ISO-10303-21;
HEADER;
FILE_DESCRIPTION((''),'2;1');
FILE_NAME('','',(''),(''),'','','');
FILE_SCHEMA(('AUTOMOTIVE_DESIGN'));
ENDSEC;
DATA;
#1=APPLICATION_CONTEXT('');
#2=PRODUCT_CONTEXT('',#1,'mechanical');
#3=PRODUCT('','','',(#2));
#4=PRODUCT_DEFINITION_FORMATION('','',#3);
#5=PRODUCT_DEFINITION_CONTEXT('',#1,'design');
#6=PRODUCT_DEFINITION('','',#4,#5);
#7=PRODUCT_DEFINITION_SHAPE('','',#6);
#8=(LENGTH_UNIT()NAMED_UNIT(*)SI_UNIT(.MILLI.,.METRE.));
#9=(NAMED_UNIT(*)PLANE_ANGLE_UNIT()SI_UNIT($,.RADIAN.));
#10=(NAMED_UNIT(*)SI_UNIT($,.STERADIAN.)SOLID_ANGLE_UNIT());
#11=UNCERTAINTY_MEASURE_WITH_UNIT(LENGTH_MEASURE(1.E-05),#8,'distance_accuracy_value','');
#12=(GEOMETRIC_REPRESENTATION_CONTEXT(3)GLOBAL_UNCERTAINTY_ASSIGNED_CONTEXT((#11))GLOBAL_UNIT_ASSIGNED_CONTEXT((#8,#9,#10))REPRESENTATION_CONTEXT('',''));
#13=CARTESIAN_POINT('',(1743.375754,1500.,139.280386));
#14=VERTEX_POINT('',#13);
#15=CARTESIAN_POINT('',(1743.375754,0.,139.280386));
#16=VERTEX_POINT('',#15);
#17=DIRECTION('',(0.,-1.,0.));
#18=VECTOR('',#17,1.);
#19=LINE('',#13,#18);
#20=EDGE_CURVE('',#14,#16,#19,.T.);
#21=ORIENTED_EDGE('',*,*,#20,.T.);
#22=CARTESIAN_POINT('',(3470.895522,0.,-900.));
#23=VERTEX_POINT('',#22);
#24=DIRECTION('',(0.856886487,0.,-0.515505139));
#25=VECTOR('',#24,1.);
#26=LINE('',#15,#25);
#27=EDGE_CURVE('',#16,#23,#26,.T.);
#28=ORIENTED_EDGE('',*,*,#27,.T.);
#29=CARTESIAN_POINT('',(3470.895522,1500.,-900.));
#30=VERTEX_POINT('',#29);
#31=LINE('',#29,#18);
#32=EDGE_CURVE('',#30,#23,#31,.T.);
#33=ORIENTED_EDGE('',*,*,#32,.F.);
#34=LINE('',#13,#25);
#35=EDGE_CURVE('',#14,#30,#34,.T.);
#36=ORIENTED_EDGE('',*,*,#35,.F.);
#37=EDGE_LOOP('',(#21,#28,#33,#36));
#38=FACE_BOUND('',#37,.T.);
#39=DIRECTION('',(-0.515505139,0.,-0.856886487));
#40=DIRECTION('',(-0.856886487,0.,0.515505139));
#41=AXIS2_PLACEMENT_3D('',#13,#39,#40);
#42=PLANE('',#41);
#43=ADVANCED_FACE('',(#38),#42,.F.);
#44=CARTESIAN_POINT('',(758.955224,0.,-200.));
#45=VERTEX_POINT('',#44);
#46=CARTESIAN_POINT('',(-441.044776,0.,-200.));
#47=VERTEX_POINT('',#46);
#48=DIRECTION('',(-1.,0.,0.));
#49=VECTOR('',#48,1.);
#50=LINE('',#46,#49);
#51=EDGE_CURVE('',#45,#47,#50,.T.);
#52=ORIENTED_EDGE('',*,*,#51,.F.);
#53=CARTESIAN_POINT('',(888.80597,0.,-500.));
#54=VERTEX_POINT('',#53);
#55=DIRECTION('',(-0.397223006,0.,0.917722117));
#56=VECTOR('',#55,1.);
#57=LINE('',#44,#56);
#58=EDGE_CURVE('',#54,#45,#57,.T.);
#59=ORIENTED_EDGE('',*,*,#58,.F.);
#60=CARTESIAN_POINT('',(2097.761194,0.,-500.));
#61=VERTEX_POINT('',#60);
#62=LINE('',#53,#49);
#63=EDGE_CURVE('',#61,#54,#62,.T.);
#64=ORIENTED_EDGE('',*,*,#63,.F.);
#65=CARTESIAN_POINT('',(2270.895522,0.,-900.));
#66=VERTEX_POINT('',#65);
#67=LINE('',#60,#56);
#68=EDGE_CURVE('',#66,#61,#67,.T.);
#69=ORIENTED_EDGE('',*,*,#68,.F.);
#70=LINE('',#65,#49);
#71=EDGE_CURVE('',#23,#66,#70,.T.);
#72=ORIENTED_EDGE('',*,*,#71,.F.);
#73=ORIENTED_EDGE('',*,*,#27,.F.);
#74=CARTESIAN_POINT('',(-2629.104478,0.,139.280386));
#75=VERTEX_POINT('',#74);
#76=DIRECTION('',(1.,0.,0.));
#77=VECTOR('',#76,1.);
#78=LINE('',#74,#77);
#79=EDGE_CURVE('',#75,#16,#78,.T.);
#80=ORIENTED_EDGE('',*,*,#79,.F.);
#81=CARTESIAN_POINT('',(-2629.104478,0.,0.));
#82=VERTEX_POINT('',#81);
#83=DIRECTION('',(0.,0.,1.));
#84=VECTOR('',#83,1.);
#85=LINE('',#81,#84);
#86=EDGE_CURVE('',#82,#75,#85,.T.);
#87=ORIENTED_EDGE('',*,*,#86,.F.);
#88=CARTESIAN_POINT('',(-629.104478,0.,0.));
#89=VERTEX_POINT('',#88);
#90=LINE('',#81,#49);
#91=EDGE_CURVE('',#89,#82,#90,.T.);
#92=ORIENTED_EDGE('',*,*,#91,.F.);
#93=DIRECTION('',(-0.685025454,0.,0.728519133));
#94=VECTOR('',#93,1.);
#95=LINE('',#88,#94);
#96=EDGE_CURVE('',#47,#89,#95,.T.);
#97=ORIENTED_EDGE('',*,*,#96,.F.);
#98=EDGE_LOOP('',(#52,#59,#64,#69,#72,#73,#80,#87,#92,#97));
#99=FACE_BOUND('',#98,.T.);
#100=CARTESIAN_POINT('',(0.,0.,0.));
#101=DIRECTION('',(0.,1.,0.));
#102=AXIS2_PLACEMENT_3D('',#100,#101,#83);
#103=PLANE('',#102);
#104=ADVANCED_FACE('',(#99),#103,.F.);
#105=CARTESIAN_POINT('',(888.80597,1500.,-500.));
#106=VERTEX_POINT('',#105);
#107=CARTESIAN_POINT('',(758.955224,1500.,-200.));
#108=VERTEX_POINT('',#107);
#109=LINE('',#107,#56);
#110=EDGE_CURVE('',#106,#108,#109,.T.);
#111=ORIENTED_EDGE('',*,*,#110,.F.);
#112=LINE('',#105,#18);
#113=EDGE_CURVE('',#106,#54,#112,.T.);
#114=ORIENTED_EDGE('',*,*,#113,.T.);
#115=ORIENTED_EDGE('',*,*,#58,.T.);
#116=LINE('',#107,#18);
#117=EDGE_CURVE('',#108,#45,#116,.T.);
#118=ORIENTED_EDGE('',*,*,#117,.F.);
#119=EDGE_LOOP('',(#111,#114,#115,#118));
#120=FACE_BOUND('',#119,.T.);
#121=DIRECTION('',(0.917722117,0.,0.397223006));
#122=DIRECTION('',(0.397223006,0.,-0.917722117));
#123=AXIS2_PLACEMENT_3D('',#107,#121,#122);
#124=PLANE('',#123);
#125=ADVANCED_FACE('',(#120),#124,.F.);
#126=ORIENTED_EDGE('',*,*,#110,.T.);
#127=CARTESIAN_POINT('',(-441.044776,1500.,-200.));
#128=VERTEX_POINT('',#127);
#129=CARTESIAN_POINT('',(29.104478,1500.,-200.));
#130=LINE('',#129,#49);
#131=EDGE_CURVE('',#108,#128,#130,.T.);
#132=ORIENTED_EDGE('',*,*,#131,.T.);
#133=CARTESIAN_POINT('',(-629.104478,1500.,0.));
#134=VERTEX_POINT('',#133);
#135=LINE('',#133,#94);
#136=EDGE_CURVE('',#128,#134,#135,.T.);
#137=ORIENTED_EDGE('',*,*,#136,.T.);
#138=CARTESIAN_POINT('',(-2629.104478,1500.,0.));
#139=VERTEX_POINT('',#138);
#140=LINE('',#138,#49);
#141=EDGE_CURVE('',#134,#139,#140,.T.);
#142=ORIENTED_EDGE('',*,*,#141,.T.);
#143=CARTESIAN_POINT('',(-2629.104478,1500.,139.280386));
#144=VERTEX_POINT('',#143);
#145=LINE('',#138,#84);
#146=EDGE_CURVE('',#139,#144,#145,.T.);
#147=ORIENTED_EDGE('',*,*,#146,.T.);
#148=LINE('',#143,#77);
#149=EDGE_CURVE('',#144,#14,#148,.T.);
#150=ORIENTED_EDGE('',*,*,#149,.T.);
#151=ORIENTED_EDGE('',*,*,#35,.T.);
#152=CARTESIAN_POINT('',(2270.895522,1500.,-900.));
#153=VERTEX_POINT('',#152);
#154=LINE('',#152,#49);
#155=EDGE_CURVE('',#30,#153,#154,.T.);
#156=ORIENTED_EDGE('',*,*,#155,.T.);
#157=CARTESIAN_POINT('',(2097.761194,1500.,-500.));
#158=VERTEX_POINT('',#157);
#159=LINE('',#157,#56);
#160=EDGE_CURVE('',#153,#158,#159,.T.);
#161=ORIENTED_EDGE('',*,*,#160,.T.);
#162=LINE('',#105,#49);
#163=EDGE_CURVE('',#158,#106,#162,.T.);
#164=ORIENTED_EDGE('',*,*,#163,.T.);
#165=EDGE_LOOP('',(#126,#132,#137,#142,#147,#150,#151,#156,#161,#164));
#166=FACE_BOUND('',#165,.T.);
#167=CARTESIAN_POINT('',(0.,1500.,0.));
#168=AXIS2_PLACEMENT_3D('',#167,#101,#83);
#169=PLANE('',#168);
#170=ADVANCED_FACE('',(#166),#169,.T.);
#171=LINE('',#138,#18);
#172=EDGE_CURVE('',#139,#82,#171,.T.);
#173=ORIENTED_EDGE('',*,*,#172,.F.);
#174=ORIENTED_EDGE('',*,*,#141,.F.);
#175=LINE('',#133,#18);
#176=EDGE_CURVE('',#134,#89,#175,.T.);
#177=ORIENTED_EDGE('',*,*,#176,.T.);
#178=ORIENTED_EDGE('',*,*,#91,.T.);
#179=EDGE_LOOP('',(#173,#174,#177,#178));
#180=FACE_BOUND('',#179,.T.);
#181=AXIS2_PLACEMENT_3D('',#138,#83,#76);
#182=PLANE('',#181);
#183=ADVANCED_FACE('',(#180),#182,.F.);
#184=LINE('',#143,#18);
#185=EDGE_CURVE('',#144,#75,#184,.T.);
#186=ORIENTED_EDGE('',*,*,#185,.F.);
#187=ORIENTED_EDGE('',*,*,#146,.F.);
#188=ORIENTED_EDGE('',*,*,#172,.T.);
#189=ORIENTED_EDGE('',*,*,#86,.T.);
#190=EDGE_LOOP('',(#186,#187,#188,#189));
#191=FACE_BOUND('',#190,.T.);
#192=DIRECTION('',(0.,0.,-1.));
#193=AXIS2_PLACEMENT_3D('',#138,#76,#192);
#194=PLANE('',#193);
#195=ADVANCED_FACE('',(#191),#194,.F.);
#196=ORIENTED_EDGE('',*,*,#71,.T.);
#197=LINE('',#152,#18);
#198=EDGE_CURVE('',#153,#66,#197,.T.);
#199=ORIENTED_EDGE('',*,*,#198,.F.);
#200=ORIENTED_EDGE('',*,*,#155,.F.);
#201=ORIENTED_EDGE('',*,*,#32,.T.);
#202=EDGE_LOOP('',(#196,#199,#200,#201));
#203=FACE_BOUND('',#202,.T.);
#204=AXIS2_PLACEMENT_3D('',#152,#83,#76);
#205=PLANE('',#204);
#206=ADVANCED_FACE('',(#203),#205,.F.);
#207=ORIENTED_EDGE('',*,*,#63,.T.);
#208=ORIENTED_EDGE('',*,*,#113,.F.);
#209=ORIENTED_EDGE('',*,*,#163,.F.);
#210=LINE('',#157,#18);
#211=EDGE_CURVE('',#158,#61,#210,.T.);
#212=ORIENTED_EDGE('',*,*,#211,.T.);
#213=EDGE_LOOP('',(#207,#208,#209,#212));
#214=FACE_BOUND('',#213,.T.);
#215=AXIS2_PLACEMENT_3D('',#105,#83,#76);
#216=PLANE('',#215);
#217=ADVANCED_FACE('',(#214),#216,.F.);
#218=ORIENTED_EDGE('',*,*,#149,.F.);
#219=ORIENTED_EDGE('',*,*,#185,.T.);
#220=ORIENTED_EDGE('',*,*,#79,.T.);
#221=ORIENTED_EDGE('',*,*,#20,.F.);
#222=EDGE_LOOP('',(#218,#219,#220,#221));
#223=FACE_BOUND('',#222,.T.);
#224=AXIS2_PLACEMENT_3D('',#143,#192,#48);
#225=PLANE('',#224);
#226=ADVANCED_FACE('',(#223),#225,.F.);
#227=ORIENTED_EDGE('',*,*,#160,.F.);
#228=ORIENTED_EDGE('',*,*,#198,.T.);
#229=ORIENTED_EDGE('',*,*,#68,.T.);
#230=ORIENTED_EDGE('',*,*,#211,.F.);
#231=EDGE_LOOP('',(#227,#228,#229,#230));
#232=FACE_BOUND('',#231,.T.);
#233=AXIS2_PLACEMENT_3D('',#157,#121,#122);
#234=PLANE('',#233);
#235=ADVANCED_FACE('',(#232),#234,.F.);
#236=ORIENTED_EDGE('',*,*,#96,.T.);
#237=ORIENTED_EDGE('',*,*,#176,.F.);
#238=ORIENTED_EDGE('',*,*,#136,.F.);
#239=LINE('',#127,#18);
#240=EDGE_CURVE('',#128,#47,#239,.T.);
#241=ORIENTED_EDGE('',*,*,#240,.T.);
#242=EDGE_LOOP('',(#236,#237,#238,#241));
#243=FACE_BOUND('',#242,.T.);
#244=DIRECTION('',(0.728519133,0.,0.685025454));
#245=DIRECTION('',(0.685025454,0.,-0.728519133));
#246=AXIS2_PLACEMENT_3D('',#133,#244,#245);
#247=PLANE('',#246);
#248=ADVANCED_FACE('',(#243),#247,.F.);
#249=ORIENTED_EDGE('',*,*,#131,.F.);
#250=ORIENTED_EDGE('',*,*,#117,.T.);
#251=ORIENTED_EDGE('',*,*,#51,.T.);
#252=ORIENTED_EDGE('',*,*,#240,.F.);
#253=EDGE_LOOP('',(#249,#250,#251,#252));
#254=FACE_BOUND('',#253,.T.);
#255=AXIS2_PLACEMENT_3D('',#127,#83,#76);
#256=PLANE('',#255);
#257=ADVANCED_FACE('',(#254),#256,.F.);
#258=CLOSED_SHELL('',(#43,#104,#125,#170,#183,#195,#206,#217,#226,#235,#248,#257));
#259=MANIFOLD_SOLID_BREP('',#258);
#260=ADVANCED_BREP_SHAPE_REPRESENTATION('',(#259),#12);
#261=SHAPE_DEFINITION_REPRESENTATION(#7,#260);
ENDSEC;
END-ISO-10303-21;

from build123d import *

# Parameters (mm, degrees)
BOSS_EXTRUDE1_DEPTH = 1500


with BuildPart() as part:
    # Sketch1 → Boss-Extrude1 (new body)
    with BuildSketch(Plane(origin=(0, 0, 0), x_dir=(1, 0, 0), z_dir=(0, 1, 0))):
        Polygon((-2629.104477612, 0), (-629.104477612, 0), (-441.044776119, 200), (29.104477612, 200), (758.955223881, 200), (888.805970149, 500), (2097.76119403, 500), (2270.895522388, 900), (3470.895522388, 900), (1743.375754441, -139.280385584), (-2629.104477612, -139.280385584), align=None)
    extrude(amount=BOSS_EXTRUDE1_DEPTH)


solid = part.part
